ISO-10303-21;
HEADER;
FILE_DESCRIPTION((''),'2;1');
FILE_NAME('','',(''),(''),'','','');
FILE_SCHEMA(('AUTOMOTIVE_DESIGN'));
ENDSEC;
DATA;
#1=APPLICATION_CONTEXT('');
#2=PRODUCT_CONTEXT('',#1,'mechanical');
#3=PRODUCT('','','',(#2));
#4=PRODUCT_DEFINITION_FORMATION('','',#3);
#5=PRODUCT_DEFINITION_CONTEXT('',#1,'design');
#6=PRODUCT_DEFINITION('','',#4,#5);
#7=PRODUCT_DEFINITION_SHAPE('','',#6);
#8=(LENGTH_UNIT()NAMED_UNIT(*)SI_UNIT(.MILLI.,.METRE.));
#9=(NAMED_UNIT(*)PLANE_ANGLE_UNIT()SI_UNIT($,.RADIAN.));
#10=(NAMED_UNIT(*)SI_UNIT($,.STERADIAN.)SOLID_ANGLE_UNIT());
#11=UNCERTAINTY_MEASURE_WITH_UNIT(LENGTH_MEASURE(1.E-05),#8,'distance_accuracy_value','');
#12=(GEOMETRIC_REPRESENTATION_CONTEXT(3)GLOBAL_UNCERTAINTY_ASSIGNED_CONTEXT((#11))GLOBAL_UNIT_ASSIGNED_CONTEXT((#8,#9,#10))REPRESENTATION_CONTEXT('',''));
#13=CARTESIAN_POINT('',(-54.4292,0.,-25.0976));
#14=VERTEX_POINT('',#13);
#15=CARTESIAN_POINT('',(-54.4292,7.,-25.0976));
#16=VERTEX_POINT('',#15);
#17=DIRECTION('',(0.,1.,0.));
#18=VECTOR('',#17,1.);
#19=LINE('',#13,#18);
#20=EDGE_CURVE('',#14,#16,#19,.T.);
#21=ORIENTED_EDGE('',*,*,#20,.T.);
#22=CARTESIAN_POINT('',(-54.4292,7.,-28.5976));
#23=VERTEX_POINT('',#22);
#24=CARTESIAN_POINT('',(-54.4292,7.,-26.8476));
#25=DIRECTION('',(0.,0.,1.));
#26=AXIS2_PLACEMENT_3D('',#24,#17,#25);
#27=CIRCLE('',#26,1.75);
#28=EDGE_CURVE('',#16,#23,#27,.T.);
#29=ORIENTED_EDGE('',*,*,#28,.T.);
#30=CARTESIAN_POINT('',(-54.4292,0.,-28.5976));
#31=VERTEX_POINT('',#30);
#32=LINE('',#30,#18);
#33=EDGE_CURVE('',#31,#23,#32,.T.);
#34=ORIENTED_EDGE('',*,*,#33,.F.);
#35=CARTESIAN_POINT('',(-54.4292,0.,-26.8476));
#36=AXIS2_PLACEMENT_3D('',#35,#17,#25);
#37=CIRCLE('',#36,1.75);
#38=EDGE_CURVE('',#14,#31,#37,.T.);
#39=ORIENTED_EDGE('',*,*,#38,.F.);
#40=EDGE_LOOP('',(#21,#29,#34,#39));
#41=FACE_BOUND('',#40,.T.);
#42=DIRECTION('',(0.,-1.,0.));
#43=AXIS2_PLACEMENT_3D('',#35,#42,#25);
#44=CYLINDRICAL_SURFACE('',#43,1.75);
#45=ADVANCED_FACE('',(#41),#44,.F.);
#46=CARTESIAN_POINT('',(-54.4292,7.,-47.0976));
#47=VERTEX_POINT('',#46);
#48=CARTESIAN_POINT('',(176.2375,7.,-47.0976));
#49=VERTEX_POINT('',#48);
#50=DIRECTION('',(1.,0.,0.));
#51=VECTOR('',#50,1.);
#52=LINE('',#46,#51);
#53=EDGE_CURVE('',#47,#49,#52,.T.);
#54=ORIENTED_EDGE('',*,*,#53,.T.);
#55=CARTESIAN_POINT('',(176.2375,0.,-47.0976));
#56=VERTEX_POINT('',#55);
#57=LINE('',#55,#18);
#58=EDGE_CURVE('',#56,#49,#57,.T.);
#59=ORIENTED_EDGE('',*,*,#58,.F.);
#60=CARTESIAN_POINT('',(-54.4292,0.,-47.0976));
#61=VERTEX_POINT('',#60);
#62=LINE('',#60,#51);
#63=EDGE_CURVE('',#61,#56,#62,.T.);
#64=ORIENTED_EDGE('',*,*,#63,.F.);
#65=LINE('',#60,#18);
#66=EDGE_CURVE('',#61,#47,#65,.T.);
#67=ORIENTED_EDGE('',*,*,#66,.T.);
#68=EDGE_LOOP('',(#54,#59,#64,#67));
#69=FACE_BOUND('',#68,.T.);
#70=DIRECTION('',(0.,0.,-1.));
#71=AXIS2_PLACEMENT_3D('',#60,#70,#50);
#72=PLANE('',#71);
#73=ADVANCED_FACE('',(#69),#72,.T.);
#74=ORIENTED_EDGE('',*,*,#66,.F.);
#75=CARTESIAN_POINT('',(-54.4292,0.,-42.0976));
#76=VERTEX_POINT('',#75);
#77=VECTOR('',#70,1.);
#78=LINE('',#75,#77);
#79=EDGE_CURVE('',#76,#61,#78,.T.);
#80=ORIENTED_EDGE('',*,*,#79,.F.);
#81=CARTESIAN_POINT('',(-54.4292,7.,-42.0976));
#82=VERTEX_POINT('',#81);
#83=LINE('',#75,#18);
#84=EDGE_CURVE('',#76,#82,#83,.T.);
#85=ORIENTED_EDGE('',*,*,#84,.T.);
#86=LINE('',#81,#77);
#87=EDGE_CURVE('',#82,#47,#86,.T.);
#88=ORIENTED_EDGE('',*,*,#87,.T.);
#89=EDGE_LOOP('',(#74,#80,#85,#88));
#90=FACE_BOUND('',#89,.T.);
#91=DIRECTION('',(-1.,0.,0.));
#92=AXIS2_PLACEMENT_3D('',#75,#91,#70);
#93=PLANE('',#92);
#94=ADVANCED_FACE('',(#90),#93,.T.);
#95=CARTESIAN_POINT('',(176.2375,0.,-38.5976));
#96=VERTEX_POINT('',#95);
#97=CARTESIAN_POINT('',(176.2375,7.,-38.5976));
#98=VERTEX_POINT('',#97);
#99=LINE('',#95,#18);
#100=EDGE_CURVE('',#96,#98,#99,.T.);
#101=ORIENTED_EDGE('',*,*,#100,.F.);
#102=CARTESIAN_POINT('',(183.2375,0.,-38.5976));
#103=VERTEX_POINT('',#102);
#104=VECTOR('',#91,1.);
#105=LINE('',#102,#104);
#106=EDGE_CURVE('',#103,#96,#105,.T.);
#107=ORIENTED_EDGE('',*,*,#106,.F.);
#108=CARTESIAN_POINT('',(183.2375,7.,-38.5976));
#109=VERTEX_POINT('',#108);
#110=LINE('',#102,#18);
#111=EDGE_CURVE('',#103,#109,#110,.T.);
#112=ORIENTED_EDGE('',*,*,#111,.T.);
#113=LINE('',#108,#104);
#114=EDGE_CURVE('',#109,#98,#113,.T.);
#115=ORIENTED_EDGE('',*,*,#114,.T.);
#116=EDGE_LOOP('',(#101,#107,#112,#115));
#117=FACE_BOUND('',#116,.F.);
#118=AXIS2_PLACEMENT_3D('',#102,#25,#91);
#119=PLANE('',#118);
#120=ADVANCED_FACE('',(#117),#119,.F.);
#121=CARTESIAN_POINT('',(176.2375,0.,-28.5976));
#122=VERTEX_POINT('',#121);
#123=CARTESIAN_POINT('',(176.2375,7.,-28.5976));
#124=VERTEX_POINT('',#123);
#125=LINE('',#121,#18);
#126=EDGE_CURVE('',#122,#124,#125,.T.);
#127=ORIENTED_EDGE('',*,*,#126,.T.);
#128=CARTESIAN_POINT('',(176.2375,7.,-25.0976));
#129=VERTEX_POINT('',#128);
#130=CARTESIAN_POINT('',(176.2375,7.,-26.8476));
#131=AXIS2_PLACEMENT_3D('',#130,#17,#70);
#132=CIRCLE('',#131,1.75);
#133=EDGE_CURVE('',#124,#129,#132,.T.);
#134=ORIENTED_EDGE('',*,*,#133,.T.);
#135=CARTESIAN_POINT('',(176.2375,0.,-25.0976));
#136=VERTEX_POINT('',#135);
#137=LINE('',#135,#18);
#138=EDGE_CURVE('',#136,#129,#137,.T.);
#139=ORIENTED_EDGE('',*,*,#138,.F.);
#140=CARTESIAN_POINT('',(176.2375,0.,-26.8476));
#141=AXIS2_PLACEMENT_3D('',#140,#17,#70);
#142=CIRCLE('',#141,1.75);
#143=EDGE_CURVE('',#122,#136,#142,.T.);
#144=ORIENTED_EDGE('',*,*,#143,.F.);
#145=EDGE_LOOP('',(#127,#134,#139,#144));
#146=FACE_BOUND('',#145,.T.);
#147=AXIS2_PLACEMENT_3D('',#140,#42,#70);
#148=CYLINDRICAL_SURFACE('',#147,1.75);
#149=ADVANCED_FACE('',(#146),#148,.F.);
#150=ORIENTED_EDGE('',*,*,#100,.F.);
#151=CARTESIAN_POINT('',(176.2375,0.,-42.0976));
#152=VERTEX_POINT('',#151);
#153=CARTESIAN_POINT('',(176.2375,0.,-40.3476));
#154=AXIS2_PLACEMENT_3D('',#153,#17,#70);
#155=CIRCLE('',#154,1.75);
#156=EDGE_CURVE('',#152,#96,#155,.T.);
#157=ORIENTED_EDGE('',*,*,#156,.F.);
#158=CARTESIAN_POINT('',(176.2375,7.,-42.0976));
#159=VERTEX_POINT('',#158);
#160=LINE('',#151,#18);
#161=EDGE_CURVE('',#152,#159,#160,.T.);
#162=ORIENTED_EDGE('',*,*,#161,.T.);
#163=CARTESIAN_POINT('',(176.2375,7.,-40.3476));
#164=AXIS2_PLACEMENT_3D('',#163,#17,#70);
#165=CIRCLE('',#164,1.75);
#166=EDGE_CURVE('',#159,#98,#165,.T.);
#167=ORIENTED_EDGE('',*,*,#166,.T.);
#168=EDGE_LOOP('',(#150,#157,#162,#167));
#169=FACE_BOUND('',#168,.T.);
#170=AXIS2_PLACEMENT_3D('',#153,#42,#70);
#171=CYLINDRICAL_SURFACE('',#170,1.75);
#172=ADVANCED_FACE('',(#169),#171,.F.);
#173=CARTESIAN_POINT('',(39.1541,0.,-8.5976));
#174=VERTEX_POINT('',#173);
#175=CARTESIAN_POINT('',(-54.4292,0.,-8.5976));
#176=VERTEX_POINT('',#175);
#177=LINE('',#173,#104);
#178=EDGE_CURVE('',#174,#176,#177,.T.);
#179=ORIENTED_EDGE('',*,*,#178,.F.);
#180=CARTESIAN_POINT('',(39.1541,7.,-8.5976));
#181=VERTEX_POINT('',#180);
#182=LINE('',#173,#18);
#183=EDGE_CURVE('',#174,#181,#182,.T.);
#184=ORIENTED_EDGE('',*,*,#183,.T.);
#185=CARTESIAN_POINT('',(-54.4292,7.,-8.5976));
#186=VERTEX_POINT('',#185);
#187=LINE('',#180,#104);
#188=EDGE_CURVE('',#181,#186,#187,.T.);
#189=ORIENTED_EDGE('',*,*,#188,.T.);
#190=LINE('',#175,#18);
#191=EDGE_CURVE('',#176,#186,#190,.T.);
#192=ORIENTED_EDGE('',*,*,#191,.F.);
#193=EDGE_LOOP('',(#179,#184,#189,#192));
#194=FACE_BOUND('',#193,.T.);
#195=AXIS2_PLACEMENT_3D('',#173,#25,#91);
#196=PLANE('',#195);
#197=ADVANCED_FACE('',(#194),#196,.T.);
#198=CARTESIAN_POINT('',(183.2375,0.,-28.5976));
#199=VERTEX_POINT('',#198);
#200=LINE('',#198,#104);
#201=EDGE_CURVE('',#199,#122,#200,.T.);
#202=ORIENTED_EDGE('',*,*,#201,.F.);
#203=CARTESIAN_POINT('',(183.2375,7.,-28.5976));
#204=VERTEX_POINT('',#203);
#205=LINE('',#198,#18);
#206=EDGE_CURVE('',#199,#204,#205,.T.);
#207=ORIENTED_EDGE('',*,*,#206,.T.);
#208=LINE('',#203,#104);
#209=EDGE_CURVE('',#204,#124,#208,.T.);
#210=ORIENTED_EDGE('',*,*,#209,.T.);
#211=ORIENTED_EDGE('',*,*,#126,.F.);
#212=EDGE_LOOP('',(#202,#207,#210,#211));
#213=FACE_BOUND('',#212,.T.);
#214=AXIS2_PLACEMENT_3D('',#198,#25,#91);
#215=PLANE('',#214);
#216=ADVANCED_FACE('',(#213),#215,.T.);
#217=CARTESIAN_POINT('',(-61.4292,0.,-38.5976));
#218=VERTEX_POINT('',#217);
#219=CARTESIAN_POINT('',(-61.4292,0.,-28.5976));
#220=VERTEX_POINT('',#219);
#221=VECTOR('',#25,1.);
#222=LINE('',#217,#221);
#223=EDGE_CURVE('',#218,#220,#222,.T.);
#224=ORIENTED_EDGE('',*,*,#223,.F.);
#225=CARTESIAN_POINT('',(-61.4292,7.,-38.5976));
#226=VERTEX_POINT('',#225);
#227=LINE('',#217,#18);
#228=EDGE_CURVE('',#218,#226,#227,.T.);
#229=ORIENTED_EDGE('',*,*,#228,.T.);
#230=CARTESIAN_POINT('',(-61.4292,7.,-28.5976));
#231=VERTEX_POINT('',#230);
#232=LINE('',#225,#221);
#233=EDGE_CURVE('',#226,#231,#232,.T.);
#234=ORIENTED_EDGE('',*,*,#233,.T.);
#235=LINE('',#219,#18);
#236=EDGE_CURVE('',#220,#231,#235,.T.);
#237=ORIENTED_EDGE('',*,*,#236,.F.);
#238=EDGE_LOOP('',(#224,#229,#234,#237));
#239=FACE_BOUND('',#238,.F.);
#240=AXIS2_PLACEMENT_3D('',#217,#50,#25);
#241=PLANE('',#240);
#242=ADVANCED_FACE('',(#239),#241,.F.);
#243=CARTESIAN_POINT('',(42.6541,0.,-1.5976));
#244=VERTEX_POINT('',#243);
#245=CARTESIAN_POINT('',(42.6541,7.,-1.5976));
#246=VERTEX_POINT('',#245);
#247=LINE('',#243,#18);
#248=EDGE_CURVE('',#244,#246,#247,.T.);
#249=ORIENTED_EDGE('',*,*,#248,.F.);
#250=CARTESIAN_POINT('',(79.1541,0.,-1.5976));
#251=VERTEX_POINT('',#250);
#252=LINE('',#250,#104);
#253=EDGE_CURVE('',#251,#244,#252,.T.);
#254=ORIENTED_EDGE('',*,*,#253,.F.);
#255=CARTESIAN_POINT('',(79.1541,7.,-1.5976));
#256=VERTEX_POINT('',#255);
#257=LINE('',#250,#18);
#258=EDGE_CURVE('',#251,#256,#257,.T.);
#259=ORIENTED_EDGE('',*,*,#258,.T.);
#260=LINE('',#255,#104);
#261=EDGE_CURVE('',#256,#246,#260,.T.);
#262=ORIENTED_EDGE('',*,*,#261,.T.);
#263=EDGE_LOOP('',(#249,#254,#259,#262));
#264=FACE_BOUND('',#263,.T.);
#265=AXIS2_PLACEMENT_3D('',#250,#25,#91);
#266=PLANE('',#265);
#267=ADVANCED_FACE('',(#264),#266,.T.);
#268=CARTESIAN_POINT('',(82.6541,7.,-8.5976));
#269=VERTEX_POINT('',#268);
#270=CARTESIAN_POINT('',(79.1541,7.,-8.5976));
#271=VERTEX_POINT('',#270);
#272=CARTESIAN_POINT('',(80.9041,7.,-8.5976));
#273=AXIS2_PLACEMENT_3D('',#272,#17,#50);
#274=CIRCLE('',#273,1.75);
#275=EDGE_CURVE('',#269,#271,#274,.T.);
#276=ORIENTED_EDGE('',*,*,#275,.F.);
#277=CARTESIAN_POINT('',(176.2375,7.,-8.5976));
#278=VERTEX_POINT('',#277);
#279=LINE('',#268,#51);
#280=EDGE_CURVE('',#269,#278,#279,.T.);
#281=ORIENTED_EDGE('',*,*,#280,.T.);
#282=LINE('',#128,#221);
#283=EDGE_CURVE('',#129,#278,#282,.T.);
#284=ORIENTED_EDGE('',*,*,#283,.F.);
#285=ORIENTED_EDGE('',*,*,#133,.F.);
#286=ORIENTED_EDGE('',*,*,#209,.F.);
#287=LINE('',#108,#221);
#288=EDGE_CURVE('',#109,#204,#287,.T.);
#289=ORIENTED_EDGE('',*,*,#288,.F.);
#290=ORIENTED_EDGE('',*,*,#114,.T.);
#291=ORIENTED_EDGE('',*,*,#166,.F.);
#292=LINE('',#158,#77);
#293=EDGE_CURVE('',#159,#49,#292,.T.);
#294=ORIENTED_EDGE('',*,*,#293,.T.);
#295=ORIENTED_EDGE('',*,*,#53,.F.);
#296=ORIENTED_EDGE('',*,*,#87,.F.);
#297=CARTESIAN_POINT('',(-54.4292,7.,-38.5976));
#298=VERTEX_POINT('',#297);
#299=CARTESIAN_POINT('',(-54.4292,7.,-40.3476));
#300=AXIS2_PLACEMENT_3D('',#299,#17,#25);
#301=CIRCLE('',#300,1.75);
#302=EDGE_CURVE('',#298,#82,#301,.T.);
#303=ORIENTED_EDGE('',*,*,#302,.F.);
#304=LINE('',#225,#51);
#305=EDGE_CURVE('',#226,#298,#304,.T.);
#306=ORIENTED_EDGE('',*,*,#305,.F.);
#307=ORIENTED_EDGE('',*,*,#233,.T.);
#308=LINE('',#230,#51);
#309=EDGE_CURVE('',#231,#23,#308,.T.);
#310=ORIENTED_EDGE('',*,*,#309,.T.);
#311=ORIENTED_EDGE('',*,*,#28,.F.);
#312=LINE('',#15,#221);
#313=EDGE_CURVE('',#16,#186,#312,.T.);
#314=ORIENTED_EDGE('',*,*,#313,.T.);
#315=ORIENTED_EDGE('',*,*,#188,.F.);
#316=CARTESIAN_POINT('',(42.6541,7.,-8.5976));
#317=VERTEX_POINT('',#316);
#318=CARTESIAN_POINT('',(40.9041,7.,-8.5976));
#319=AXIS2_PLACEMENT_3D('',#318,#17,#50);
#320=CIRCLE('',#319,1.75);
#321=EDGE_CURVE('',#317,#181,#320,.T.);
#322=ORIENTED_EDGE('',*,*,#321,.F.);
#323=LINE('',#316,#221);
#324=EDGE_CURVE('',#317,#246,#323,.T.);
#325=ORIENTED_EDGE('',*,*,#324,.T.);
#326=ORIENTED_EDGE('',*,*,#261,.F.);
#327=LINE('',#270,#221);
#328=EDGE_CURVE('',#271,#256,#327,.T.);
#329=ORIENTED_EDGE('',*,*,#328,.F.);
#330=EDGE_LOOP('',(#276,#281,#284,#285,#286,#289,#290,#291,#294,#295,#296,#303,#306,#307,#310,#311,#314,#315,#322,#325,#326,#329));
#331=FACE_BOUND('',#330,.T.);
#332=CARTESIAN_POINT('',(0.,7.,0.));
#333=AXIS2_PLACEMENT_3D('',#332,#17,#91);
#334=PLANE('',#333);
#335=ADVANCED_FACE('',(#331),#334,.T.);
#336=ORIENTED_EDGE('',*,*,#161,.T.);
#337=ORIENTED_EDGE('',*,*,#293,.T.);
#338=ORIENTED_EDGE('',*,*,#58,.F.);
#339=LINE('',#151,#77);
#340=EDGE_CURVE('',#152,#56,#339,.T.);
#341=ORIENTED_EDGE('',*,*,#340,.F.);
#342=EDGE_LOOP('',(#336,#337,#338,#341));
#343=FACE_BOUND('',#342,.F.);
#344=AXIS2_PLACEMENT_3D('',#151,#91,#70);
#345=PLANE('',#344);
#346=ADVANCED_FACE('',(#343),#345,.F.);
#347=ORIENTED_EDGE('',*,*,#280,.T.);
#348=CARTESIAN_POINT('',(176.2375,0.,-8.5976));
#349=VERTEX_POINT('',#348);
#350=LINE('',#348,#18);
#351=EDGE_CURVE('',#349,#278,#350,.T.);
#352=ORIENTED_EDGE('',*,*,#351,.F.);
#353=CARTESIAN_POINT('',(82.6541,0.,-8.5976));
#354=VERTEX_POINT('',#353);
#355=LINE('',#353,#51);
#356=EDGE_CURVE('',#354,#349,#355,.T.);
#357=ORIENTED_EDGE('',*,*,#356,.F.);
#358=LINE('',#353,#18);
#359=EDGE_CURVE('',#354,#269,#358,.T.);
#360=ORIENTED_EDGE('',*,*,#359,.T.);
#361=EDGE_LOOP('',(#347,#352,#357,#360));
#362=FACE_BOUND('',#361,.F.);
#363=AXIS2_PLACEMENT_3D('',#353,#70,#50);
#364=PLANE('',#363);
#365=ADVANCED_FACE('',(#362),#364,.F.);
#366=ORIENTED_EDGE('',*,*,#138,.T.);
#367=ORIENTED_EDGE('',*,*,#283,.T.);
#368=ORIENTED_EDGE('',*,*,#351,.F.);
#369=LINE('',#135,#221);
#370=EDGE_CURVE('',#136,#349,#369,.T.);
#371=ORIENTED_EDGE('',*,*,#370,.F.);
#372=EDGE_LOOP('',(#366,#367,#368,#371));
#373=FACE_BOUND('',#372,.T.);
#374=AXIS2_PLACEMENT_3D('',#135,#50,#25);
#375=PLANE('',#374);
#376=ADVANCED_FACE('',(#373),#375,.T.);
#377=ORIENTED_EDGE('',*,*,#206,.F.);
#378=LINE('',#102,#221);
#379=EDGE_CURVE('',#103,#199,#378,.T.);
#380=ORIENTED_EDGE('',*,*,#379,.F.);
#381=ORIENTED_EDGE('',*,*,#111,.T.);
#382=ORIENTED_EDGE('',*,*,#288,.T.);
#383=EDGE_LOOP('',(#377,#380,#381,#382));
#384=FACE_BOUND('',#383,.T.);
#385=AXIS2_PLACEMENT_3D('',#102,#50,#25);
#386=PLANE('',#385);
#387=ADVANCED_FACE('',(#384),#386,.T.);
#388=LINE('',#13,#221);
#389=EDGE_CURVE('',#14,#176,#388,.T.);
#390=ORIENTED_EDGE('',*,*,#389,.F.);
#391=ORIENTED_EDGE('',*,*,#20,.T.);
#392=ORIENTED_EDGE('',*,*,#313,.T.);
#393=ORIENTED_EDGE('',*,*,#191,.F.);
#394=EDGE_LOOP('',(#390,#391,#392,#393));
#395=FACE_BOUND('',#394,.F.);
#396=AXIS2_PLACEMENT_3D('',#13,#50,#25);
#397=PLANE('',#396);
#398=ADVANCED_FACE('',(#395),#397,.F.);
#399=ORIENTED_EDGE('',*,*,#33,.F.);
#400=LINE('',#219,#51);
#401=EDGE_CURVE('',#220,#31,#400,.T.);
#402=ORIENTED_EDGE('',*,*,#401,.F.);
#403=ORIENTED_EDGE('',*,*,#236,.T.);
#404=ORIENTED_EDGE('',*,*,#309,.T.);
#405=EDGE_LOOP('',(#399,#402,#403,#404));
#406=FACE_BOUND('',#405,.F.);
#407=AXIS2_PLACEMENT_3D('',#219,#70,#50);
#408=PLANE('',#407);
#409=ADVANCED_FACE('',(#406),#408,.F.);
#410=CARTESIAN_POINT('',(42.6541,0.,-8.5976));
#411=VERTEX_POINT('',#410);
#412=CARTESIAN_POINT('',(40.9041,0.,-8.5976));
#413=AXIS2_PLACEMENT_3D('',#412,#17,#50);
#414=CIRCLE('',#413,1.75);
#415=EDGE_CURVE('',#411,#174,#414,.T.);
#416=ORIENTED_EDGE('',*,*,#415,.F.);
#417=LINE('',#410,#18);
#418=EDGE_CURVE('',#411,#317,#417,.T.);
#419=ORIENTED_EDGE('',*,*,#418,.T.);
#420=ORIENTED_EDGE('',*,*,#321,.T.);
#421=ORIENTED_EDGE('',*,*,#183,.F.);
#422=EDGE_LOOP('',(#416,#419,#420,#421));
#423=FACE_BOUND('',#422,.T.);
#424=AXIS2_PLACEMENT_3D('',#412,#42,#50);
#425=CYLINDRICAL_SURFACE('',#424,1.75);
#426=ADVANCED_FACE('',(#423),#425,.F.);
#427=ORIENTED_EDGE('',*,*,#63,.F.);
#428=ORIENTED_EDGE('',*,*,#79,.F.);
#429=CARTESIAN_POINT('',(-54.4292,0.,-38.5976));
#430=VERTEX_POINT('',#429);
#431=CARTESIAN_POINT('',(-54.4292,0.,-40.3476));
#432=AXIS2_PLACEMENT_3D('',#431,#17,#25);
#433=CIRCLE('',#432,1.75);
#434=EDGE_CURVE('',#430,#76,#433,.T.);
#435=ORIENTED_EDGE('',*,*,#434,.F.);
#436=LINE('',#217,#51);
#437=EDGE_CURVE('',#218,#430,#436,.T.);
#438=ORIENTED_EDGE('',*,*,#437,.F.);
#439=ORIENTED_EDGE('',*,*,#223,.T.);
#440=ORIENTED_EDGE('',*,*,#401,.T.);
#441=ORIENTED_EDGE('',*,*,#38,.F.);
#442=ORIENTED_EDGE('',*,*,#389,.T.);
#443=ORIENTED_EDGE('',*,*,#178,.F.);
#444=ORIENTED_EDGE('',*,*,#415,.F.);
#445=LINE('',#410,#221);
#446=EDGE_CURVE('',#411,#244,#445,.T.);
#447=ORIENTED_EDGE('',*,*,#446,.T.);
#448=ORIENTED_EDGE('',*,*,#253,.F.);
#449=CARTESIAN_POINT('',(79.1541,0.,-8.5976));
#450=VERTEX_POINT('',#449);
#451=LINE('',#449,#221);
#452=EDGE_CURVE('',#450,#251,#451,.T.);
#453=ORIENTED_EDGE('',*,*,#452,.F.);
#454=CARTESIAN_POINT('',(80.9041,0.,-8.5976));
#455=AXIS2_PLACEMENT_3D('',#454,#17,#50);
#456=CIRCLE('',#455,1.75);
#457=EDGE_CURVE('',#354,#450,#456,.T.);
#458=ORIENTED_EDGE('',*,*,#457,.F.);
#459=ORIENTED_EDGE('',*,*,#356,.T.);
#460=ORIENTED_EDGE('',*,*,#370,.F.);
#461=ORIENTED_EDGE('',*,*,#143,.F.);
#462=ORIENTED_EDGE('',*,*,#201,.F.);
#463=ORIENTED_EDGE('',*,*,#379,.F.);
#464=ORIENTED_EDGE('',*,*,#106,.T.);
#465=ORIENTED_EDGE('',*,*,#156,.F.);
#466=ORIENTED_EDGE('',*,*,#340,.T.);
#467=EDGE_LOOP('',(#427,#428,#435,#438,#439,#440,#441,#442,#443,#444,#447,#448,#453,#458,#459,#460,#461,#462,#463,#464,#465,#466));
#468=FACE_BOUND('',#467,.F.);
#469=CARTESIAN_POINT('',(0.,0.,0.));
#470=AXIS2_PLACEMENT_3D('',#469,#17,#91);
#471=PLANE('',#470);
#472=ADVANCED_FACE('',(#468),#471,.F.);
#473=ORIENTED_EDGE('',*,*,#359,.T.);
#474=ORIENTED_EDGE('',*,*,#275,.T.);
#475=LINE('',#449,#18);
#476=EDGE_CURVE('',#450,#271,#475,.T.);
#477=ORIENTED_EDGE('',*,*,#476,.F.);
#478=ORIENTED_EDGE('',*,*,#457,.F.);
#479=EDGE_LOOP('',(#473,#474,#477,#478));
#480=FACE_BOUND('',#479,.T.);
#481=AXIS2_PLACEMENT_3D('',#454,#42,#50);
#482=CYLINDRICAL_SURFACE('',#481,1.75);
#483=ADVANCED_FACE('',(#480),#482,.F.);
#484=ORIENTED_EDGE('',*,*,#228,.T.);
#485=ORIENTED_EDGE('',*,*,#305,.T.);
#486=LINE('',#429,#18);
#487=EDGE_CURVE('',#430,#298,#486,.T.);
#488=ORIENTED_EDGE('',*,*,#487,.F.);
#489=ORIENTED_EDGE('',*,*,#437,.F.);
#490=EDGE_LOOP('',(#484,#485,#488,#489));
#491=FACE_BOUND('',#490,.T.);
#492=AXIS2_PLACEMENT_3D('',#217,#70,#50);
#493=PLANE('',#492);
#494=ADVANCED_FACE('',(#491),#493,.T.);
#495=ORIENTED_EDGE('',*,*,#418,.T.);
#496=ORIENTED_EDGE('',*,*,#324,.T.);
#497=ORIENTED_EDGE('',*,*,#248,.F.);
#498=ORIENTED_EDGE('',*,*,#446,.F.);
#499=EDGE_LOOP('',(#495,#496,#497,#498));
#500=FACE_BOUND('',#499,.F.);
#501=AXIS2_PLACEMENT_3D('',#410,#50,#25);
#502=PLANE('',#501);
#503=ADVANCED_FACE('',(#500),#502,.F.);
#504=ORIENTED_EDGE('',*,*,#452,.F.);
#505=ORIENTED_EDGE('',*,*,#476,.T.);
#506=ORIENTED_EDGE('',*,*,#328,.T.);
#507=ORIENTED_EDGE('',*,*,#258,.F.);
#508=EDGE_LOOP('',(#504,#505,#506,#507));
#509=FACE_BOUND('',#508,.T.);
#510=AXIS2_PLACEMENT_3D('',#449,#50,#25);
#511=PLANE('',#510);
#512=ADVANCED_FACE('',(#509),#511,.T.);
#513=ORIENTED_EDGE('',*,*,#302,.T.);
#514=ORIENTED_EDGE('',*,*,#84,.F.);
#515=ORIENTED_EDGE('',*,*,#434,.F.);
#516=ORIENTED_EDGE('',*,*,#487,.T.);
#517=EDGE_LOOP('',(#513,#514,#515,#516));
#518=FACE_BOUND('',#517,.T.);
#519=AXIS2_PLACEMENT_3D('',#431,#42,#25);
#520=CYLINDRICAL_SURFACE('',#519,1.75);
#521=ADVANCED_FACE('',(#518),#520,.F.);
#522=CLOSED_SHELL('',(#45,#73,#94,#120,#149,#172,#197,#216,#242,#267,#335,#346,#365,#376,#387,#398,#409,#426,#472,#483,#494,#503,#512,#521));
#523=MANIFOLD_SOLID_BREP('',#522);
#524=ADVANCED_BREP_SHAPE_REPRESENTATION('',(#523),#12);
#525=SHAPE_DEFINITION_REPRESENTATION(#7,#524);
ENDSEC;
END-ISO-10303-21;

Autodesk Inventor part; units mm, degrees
ref_plane "YZ Plane" through (0, 0, 0) normal (1, 0, 0) x (0, 1, 0)
ref_plane "XZ Plane" through (0, 0, 0) normal (0, 1, 0) x (-1, 0, 0)
ref_plane "XY Plane" through (0, 0, 0) normal (0, 0, 1) x (1, 0, 0)
sketch "Sketch1" plane through (0, 0, 0) normal (0, 1, 0) x (-1, 0, 0)
  arc A0 (54.4292, -38.5976) -> (54.4292, -42.0976) centre (54.4292, -40.3476) ccw
  arc A1 (54.4292, -25.0976) -> (54.4292, -28.5976) centre (54.4292, -26.8476) ccw
  line L0 (61.4292, -38.5976) -> (61.4292, -28.5976)
  line L1 (-79.1541, -1.5976) -> (-42.6541, -1.5976)
  line L2 (-79.1541, -8.5976) -> (-79.1541, -1.5976)
  line L3 (-42.6541, -8.5976) -> (-42.6541, -1.5976)
  line L4 (61.4292, -28.5976) -> (54.4292, -28.5976)
  line L5 (61.4292, -38.5976) -> (54.4292, -38.5976)
  line L6 (54.4292, -25.0976) -> (54.4292, -8.5976)
  line L7 (54.4292, -42.0976) -> (54.4292, -47.0976)
  line L8 (-60.9041, -44.0976) -> (-60.9041, -33.5976)
  arc A2 (-176.2375, -42.0976) -> (-176.2375, -38.5976) centre (-176.2375, -40.3476) ccw
  arc A3 (-176.2375, -28.5976) -> (-176.2375, -25.0976) centre (-176.2375, -26.8476) ccw
  line L9 (-183.2375, -38.5976) -> (-183.2375, -28.5976)
  line L10 (-183.2375, -28.5976) -> (-176.2375, -28.5976)
  line L11 (-183.2375, -38.5976) -> (-176.2375, -38.5976)
  line L12 (-176.2375, -25.0976) -> (-176.2375, -8.5976)
  line L13 (-176.2375, -42.0976) -> (-176.2375, -47.0976)
  line L14 (54.4292, -47.0976) -> (-176.2375, -47.0976)
  arc A4 (-82.6541, -8.5976) -> (-79.1541, -8.5976) centre (-80.9041, -8.5976) ccw
  line L15 (-82.6541, -8.5976) -> (-176.2375, -8.5976)
  arc A5 (-42.6541, -8.5976) -> (-39.1541, -8.5976) centre (-40.9041, -8.5976) ccw
  line L16 (-39.1541, -8.5976) -> (54.4292, -8.5976)
  point P0 (0, 0)
  dimension "d2" = 3.5
  dimension "d5" = 3.5
  dimension "d9" = 7
  dimension "d11" = 10
  dimension "d27" = 36.5
  dimension "d32" = 5
  dimension "d33" = 230.6667
  dimension "d36" = 7
  dimension "d41" = 3.5
  dimension "d42" = 3.5
  dimension "d43" = 97.0833
extrude "Extrusion1" add sketch "Sketch1" along normal blind 7
properties part number "Level 1 Support Ends" material "Wood (Maple)"
